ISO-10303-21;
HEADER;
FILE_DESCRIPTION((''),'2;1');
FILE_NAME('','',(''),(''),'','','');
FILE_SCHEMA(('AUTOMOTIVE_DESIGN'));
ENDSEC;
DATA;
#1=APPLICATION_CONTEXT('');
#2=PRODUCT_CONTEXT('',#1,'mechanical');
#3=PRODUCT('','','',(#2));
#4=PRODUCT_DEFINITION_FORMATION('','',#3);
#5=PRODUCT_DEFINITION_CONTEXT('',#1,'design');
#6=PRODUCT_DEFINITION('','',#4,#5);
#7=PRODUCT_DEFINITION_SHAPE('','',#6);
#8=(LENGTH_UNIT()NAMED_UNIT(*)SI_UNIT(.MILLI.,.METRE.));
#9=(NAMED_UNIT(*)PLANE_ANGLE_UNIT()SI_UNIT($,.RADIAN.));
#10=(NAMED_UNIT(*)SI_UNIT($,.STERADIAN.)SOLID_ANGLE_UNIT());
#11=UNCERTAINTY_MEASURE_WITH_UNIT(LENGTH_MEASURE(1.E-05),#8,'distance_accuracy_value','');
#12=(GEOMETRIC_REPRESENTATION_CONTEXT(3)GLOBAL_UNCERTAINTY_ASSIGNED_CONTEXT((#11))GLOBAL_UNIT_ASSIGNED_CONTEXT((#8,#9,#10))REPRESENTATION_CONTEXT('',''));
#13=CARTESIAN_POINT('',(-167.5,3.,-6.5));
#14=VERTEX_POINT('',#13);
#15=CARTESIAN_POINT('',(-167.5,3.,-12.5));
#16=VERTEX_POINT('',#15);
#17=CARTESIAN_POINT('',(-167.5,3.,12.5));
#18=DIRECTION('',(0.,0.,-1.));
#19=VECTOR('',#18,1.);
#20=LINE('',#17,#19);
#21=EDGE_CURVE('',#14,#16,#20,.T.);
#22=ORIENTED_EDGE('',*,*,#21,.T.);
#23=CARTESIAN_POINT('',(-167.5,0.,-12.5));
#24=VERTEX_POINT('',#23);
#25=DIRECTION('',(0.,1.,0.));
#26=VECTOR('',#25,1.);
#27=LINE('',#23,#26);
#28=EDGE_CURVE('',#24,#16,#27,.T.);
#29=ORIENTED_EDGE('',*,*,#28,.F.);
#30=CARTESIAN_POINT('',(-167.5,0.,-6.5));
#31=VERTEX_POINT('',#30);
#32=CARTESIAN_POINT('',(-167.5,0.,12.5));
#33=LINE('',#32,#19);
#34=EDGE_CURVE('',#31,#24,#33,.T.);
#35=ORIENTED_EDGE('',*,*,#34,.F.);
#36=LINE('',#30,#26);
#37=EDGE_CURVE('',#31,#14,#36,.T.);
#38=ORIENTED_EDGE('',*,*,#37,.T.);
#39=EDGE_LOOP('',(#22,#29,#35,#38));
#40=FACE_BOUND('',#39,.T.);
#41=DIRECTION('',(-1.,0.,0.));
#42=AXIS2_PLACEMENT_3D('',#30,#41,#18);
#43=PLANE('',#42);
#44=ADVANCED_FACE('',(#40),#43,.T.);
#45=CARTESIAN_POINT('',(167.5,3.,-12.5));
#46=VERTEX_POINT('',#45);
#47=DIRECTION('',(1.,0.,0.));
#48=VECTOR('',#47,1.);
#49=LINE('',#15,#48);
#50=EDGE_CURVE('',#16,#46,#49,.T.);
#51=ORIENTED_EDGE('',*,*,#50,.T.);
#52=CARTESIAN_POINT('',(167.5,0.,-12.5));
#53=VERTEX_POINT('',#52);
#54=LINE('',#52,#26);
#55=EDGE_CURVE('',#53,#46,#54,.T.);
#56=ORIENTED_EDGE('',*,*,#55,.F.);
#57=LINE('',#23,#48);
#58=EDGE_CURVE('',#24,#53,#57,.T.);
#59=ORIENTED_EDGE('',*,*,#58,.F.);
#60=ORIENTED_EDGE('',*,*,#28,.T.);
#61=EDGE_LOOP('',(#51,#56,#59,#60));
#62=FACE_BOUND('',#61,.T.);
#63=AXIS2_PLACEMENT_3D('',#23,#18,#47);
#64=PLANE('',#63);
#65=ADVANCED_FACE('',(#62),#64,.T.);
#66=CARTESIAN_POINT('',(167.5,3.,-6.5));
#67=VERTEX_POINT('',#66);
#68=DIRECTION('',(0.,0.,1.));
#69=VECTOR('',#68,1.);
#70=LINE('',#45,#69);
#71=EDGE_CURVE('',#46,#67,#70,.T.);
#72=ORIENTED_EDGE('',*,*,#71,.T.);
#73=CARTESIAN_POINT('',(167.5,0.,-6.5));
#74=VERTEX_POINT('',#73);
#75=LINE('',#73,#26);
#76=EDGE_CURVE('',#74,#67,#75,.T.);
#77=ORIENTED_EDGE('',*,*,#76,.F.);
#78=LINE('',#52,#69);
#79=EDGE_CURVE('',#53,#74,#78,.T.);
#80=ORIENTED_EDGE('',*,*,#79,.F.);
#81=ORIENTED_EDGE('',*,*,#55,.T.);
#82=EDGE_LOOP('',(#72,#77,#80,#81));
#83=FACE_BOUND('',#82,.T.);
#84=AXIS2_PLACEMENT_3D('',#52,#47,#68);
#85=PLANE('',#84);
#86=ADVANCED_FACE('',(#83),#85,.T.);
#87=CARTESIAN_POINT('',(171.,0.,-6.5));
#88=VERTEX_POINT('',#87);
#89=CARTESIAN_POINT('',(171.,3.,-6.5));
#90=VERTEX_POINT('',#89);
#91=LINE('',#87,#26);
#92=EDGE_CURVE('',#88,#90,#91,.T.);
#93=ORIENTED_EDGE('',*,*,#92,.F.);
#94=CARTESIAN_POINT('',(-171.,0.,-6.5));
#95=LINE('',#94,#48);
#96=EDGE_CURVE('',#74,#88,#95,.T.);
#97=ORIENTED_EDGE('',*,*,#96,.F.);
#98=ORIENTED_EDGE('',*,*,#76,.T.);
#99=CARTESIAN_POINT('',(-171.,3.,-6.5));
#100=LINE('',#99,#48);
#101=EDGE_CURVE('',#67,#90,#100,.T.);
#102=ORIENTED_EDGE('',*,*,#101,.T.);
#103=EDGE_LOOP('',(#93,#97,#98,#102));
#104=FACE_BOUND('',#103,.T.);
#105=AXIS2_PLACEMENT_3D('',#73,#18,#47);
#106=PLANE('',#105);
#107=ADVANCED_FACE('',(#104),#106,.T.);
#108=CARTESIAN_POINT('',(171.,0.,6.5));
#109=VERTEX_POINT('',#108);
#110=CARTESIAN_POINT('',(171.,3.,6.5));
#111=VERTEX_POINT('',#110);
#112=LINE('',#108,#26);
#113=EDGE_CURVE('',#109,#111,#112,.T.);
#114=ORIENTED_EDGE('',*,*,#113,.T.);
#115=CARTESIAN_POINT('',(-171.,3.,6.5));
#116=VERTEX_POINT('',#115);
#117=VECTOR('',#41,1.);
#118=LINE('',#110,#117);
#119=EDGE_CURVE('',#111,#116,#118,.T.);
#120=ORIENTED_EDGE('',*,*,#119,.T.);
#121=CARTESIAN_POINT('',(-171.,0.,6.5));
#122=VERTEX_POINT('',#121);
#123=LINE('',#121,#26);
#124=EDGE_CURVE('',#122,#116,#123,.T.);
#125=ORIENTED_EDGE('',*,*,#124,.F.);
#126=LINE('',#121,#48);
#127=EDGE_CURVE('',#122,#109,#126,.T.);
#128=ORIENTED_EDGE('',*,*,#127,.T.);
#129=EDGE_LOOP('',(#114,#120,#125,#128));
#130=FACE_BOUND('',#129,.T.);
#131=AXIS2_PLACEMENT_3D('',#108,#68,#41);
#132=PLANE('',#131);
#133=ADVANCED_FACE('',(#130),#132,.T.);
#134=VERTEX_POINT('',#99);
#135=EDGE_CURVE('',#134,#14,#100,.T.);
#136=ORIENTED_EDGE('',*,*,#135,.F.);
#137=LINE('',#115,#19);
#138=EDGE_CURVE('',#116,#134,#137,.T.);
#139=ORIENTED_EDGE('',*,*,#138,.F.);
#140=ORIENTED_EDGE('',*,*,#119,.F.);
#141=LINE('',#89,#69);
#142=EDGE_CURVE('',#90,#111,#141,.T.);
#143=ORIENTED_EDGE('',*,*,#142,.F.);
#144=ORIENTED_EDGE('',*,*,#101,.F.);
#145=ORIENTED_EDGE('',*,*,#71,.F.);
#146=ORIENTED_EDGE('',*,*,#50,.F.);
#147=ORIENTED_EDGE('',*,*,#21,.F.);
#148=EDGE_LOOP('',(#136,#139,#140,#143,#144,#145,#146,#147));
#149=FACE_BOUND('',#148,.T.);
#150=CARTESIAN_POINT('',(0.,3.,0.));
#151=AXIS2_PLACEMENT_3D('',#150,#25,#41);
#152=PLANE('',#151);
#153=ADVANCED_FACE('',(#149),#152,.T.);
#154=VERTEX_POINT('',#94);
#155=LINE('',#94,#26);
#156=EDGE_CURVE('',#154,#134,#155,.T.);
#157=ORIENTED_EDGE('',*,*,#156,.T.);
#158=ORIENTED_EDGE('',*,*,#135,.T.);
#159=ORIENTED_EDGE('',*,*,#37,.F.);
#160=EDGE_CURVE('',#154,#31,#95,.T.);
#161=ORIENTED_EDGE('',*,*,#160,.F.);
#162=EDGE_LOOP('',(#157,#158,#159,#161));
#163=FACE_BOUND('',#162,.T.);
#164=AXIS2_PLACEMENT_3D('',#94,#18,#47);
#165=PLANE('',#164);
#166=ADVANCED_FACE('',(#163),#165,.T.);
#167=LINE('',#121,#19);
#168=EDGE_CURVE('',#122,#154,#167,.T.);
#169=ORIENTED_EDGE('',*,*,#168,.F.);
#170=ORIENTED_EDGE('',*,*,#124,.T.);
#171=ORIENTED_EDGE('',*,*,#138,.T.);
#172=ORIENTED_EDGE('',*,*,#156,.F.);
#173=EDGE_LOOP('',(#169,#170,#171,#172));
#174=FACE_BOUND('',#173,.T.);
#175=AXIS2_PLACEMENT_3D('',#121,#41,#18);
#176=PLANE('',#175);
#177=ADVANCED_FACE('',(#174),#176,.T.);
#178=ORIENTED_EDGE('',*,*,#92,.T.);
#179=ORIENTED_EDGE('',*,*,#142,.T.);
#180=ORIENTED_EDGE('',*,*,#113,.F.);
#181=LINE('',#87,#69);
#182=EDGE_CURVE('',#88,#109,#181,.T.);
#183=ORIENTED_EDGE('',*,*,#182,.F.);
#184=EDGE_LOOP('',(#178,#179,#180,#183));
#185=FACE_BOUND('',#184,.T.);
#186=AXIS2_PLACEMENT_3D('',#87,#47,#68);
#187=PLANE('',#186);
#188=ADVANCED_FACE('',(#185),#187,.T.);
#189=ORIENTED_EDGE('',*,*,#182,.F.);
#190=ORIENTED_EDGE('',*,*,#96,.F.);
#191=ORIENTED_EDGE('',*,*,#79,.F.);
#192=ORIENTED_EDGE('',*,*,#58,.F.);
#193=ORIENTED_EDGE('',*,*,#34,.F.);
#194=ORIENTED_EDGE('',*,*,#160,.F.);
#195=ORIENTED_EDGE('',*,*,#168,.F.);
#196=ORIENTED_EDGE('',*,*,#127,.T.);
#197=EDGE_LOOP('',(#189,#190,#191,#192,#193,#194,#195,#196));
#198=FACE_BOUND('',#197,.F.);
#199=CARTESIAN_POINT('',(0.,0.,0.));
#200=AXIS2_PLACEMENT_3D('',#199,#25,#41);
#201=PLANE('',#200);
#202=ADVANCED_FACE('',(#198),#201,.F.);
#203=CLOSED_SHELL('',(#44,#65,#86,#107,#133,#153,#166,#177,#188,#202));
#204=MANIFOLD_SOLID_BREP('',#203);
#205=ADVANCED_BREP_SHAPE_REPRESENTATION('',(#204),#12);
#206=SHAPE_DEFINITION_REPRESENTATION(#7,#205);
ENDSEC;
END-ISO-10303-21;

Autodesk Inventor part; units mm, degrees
ref_plane "YZ Plane" through (0, 0, 0) normal (1, 0, 0) x (0, 1, 0)
ref_plane "XZ Plane" through (0, 0, 0) normal (0, 1, 0) x (-1, 0, 0)
ref_plane "XY Plane" through (0, 0, 0) normal (0, 0, 1) x (1, 0, 0)
sketch "Sketch1" plane through (0, 0, 0) normal (0, 1, 0) x (-1, 0, 0)
  line L0 (-167.5, 12.5) -> (167.5, 12.5)
  line L1 (167.5, 12.5) -> (167.5, -12.5)
  line L2 (167.5, -12.5) -> (-167.5, -12.5)
  line L3 (-167.5, -12.5) -> (-167.5, 12.5)
  line L4 (-167.5, 12.5) -> (167.5, -12.5) construction
  line L5 (167.5, 12.5) -> (-167.5, -12.5) construction
  line L6 (-171, 6.5) -> (171, 6.5)
  line L7 (171, 6.5) -> (171, -6.5)
  line L8 (171, -6.5) -> (-171, -6.5)
  line L9 (-171, -6.5) -> (-171, 6.5)
  line L10 (-171, 6.5) -> (171, -6.5) construction
  line L11 (171, 6.5) -> (-171, -6.5) construction
  point P0 (0, 0)
  dimension "d0" = 335
  dimension "d1" = 25
  dimension "d2" = 342
  dimension "d3" = 13
extrude "Extrusion1" add sketch "Sketch1" along normal blind 3
sketch "Sketch2" plane through (0, 3, 0) normal (0, 1, 0) x (1, 0, 0)
  line L0 (167.5, -6.5) -> (-167.5, -6.5)
  line L1 (-167.5, -6.5) -> (-167.5, -12.5)
  line L2 (-167.5, -12.5) -> (167.5, -12.5)
  line L3 (167.5, -12.5) -> (167.5, -6.5)
  point P0 (0, 0)
extrude "Extrusion2" cut sketch "Sketch2" against normal blind 3
properties part number "TussenPalet"
